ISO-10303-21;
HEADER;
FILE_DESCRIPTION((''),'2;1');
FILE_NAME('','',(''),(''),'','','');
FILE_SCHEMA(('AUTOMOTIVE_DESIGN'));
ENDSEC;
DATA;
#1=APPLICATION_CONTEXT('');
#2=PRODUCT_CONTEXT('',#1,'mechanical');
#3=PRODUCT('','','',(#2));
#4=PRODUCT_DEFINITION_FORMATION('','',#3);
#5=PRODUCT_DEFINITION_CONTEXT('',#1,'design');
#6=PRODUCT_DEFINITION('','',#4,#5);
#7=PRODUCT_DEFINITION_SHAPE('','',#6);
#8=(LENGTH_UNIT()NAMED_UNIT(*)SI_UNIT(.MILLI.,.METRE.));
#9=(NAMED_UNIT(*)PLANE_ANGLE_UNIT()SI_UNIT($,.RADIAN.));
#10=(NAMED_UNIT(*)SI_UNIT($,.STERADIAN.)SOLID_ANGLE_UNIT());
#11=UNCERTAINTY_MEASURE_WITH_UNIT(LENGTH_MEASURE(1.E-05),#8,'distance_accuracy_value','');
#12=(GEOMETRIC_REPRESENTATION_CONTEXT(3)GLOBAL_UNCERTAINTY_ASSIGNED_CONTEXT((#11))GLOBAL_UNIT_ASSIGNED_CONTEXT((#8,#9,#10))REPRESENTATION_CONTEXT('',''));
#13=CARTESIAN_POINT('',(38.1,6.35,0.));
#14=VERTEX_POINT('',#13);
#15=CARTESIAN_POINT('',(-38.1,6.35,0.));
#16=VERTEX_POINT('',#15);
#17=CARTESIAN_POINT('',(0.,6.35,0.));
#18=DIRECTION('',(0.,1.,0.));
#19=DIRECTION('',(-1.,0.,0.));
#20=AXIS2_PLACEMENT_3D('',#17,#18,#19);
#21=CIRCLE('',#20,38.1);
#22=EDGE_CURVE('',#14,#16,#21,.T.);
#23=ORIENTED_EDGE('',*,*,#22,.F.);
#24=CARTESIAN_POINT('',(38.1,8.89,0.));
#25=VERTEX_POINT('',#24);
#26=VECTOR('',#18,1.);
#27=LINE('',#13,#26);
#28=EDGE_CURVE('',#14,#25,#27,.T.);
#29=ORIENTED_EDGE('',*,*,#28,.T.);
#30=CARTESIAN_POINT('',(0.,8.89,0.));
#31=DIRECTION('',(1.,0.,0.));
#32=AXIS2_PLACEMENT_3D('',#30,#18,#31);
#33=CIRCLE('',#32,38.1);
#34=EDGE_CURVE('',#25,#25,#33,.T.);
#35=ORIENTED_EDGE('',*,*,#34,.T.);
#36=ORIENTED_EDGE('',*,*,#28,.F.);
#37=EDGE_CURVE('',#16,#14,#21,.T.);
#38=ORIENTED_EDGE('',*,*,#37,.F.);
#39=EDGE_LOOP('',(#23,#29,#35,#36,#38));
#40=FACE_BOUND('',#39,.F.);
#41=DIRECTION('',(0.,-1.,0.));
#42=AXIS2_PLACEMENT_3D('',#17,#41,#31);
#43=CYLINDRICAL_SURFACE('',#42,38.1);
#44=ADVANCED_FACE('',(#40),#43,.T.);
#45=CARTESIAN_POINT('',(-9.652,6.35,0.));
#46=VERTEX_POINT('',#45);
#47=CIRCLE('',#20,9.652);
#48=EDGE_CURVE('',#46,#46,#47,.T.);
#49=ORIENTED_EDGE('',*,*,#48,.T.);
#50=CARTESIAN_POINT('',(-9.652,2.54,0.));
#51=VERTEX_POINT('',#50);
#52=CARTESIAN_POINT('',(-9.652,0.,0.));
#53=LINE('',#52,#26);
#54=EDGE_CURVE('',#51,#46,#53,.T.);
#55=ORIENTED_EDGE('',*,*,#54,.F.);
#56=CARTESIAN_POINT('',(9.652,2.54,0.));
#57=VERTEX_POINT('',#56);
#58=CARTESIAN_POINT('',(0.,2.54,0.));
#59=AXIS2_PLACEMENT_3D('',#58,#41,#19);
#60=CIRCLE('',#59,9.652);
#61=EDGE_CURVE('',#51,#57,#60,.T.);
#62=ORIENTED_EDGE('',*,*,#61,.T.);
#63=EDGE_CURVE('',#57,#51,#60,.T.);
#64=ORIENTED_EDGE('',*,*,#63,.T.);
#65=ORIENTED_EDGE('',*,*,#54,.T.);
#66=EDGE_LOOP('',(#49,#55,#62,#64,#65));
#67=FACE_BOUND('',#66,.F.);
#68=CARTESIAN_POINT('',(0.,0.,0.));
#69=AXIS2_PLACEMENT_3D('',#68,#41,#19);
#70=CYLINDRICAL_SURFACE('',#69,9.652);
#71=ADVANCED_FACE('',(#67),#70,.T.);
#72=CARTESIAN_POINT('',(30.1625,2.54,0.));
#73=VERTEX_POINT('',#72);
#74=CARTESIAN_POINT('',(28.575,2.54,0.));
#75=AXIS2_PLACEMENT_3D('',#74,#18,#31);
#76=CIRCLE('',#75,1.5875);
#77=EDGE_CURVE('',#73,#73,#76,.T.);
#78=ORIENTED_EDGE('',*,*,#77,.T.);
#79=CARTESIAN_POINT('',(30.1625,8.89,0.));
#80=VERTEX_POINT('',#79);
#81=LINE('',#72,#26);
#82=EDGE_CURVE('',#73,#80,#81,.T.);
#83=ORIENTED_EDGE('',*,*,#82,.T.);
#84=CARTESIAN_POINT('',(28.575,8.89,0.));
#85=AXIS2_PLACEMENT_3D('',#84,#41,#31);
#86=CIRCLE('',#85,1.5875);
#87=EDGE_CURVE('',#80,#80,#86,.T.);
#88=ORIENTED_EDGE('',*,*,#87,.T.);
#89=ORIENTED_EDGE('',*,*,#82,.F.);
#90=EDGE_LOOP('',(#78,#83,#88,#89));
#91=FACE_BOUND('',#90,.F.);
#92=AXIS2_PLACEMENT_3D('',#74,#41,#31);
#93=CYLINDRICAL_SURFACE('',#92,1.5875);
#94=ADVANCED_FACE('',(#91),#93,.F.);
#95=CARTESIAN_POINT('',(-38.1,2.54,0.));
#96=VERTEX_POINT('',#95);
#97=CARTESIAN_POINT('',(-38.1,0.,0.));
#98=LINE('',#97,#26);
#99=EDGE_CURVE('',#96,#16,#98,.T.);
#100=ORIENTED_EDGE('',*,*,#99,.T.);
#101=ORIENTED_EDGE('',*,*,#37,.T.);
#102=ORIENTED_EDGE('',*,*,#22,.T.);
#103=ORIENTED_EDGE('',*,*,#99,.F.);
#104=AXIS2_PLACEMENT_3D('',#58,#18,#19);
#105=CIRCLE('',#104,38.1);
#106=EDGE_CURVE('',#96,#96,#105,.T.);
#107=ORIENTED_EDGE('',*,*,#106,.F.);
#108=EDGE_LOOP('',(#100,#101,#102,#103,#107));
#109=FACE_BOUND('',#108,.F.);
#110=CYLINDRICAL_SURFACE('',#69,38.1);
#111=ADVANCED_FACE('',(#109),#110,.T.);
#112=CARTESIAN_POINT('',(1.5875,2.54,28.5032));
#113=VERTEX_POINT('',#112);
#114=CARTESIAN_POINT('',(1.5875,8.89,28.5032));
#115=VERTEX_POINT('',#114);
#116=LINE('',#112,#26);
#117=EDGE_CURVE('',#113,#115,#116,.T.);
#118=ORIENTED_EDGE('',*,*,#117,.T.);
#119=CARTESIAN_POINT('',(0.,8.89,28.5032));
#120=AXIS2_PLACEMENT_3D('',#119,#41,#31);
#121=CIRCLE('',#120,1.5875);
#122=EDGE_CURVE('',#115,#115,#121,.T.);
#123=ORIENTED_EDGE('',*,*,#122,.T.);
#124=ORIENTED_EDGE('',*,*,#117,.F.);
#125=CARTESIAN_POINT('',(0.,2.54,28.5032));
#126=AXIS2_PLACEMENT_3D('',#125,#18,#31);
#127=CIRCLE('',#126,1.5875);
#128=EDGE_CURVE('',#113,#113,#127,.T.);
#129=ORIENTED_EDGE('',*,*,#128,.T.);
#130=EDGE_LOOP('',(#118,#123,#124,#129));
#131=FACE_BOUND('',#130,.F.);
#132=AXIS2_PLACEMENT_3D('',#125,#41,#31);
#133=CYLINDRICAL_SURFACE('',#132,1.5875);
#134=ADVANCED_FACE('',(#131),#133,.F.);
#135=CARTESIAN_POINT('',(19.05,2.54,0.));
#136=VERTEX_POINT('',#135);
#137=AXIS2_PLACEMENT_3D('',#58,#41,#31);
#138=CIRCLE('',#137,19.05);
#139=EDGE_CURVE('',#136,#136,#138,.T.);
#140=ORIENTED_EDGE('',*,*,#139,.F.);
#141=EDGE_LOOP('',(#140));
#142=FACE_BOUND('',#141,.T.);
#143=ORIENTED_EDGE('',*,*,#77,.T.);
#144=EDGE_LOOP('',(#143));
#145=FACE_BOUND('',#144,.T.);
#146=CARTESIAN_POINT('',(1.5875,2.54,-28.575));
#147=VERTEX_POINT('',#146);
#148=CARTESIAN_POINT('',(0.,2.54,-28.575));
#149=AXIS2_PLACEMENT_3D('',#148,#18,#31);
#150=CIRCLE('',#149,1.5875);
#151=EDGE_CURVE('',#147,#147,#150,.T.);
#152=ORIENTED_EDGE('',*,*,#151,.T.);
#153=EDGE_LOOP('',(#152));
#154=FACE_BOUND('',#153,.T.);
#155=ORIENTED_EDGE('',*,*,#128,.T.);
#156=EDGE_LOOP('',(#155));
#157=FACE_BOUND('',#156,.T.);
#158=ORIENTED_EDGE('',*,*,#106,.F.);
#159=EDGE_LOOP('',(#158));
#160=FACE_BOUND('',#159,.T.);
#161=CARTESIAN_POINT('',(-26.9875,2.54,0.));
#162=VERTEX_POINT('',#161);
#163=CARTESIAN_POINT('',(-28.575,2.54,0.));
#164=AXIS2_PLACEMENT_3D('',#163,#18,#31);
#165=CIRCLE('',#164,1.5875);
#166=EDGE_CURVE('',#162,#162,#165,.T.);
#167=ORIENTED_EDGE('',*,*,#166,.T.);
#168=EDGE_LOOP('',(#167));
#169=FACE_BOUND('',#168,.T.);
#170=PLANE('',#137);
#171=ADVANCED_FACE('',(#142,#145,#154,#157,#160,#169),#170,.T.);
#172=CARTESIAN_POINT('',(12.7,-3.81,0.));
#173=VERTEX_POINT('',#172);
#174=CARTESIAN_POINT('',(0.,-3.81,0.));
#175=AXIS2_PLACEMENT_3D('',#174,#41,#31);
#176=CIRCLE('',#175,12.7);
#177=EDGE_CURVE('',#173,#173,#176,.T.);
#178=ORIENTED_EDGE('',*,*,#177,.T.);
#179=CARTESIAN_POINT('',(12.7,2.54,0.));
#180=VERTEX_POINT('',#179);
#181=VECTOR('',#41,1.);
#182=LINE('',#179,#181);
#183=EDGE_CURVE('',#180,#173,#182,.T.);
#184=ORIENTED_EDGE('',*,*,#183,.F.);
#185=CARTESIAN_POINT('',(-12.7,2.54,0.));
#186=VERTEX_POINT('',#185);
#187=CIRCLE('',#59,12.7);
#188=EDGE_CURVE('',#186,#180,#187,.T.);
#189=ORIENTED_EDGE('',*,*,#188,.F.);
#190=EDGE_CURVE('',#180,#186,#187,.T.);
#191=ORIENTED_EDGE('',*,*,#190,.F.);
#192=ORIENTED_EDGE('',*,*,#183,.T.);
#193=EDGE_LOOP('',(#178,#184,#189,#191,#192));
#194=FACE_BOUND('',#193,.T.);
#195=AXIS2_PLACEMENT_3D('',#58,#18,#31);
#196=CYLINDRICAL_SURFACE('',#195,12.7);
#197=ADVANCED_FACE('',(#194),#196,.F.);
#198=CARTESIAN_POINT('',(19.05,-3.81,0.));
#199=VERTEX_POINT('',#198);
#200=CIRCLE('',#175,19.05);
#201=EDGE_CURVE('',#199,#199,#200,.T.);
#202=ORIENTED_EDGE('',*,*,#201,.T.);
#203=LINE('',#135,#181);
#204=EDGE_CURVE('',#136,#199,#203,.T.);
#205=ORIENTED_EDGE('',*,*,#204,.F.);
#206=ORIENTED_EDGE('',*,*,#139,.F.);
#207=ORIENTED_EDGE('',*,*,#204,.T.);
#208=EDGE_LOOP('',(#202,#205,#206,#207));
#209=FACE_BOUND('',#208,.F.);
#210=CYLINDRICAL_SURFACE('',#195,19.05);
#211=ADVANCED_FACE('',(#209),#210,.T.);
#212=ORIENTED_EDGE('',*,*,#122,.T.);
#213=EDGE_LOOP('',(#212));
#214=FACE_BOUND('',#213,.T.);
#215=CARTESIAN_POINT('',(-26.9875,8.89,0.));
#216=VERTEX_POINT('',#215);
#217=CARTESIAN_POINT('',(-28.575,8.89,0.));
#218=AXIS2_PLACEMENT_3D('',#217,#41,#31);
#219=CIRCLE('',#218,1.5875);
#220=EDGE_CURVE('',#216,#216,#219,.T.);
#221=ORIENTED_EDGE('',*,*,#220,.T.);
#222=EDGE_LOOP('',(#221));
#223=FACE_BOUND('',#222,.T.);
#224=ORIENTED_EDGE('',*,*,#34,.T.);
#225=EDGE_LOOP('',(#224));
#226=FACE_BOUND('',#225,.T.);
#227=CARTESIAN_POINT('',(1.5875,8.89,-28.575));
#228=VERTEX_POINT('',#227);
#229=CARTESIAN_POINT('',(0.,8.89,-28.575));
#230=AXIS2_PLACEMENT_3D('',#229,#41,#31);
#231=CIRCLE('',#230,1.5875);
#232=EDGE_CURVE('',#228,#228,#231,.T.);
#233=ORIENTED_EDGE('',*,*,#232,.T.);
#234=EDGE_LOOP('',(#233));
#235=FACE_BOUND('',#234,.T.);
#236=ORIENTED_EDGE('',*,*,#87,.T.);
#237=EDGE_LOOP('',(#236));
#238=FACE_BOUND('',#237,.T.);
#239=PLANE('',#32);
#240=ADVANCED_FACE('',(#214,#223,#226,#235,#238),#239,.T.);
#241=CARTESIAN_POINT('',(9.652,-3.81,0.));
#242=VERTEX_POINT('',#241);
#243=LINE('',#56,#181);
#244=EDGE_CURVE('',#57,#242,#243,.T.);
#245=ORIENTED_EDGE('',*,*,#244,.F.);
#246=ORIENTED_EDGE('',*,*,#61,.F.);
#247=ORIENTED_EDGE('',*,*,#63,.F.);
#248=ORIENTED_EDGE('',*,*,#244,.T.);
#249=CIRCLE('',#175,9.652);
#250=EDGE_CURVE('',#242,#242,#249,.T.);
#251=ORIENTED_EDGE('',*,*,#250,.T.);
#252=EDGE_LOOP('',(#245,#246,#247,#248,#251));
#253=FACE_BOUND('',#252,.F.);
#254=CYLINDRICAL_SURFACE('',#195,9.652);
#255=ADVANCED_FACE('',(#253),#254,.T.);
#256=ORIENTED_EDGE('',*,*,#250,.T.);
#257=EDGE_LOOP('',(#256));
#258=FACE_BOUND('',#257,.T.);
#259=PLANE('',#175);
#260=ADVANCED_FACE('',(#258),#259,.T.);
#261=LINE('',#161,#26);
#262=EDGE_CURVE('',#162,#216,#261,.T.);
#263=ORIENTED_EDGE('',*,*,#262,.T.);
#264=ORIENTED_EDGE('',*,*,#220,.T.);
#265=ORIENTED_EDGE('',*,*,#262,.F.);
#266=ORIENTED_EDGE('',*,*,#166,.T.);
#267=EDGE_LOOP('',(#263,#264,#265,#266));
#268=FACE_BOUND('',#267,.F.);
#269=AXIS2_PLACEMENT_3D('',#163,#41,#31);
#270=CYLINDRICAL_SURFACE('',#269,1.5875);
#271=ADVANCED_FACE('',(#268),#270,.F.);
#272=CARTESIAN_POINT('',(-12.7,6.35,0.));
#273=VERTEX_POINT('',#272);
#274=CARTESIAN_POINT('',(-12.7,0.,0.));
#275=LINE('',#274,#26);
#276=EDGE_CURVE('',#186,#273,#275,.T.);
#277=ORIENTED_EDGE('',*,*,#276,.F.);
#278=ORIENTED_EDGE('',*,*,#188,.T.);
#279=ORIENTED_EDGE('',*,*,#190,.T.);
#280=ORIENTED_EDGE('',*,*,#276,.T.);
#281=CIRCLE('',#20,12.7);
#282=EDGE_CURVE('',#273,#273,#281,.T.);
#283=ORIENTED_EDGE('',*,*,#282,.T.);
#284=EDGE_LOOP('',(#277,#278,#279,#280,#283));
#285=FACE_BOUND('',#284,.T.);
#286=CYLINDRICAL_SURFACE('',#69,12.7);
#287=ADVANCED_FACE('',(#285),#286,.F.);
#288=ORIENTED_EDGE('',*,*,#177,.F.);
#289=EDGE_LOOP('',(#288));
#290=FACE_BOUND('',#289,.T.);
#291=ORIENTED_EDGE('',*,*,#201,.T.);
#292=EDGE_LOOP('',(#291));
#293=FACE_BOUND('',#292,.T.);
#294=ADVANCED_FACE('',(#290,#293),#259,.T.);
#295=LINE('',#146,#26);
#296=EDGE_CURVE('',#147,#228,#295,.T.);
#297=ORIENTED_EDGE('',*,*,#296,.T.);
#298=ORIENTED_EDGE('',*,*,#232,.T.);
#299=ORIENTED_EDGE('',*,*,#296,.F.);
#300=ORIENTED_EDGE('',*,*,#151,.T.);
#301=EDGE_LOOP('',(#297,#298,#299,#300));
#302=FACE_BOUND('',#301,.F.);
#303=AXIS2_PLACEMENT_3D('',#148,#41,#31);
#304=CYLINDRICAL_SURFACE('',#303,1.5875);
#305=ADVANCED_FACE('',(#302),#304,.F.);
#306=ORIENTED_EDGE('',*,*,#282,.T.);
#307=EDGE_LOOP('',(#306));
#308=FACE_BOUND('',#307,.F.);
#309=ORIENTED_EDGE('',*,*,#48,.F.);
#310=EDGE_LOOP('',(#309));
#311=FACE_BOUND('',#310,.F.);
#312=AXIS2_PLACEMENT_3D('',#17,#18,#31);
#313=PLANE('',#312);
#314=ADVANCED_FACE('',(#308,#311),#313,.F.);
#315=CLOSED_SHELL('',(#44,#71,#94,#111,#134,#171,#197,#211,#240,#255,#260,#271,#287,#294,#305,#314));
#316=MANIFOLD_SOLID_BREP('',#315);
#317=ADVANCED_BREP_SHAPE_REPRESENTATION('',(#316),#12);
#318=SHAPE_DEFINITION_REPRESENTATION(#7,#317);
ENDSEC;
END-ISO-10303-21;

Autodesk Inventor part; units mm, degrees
ref_plane "YZ Plane" through (0, 0, 0) normal (1, 0, 0) x (0, 1, 0)
ref_plane "XZ Plane" through (0, 0, 0) normal (0, 1, 0) x (-1, 0, 0)
ref_plane "XY Plane" through (0, 0, 0) normal (0, 0, 1) x (1, 0, 0)
sketch "Sketch1" plane through (0, 0, 0) normal (0, 1, 0) x (-1, 0, 0)
  circle A0 centre (0, 0) radius 12.7
  circle A1 centre (0, 0) radius 9.652
  circle A2 centre (0, 0) radius 38.1
  dimension "d0" = 25.4
  dimension "d1" = 19.304
  dimension "d2" = 76.2
extrude "Extrusion1" add sketch "Sketch1" along normal blind 6.35
sketch "Sketch2" plane through (0, 6.35, 0) normal (0, 1, 0) x (1, 0, 0)
  circle A0 centre (0, 0) radius 38.1
extrude "Extrusion2" add sketch "Sketch2" along normal blind 2.54
sketch "Sketch3" plane through (0, 0, 0) normal (0, -1, 0) x (1, 0, 0)
  circle A0 centre (0, 0) radius 38.1
extrude "Extrusion3" cut sketch "Sketch3" against normal blind 2.54
sketch "Sketch4" plane through (0, 2.54, 0) normal (0, -1, 0) x (1, 0, 0)
  circle A0 centre (0, 0) radius 19.05
  circle A1 centre (0, 0) radius 12.7
  circle A2 centre (0, 0) radius 9.652
  dimension "d9" = 38.1
extrude "Extrusion4" add sketch "Sketch4" along normal blind 6.35
sketch "Sketch5" plane through (0, 2.54, 0) normal (0, -1, 0) x (1, 0, 0)
  circle A0 centre (0, 0) radius 38.1 projected
  line L0 (38.1, 0) -> (19.05, 0)
  circle A1 centre (0, 0) radius 19.05 projected
  line L1 (0, 18.9941) -> (0, 38.0123)
  line L2 (-19.05, 0) -> (-38.1, 0)
  line L3 (0, -19.05) -> (0, -38.1)
  circle A2 centre (0, 28.5032) radius 1.5875
  circle A3 centre (28.575, 0) radius 1.5875
  circle A4 centre (0, -28.575) radius 1.5875
  circle A5 centre (-28.575, 0) radius 1.5875
  dimension "d12" = 3.175
  dimension "d13" = 3.175
  dimension "d14" = 3.175
  dimension "d15" = 3.175
extrude "Extrusion5" cut sketch "Sketch5" against normal blind 6.35 contours A2 L1 | L1 A2 | A3 L0 | L0 A3 | A5 L2 | L2 A5 | A4 L3 | L3 A4
properties part number "CrankAttachment_SBail"
